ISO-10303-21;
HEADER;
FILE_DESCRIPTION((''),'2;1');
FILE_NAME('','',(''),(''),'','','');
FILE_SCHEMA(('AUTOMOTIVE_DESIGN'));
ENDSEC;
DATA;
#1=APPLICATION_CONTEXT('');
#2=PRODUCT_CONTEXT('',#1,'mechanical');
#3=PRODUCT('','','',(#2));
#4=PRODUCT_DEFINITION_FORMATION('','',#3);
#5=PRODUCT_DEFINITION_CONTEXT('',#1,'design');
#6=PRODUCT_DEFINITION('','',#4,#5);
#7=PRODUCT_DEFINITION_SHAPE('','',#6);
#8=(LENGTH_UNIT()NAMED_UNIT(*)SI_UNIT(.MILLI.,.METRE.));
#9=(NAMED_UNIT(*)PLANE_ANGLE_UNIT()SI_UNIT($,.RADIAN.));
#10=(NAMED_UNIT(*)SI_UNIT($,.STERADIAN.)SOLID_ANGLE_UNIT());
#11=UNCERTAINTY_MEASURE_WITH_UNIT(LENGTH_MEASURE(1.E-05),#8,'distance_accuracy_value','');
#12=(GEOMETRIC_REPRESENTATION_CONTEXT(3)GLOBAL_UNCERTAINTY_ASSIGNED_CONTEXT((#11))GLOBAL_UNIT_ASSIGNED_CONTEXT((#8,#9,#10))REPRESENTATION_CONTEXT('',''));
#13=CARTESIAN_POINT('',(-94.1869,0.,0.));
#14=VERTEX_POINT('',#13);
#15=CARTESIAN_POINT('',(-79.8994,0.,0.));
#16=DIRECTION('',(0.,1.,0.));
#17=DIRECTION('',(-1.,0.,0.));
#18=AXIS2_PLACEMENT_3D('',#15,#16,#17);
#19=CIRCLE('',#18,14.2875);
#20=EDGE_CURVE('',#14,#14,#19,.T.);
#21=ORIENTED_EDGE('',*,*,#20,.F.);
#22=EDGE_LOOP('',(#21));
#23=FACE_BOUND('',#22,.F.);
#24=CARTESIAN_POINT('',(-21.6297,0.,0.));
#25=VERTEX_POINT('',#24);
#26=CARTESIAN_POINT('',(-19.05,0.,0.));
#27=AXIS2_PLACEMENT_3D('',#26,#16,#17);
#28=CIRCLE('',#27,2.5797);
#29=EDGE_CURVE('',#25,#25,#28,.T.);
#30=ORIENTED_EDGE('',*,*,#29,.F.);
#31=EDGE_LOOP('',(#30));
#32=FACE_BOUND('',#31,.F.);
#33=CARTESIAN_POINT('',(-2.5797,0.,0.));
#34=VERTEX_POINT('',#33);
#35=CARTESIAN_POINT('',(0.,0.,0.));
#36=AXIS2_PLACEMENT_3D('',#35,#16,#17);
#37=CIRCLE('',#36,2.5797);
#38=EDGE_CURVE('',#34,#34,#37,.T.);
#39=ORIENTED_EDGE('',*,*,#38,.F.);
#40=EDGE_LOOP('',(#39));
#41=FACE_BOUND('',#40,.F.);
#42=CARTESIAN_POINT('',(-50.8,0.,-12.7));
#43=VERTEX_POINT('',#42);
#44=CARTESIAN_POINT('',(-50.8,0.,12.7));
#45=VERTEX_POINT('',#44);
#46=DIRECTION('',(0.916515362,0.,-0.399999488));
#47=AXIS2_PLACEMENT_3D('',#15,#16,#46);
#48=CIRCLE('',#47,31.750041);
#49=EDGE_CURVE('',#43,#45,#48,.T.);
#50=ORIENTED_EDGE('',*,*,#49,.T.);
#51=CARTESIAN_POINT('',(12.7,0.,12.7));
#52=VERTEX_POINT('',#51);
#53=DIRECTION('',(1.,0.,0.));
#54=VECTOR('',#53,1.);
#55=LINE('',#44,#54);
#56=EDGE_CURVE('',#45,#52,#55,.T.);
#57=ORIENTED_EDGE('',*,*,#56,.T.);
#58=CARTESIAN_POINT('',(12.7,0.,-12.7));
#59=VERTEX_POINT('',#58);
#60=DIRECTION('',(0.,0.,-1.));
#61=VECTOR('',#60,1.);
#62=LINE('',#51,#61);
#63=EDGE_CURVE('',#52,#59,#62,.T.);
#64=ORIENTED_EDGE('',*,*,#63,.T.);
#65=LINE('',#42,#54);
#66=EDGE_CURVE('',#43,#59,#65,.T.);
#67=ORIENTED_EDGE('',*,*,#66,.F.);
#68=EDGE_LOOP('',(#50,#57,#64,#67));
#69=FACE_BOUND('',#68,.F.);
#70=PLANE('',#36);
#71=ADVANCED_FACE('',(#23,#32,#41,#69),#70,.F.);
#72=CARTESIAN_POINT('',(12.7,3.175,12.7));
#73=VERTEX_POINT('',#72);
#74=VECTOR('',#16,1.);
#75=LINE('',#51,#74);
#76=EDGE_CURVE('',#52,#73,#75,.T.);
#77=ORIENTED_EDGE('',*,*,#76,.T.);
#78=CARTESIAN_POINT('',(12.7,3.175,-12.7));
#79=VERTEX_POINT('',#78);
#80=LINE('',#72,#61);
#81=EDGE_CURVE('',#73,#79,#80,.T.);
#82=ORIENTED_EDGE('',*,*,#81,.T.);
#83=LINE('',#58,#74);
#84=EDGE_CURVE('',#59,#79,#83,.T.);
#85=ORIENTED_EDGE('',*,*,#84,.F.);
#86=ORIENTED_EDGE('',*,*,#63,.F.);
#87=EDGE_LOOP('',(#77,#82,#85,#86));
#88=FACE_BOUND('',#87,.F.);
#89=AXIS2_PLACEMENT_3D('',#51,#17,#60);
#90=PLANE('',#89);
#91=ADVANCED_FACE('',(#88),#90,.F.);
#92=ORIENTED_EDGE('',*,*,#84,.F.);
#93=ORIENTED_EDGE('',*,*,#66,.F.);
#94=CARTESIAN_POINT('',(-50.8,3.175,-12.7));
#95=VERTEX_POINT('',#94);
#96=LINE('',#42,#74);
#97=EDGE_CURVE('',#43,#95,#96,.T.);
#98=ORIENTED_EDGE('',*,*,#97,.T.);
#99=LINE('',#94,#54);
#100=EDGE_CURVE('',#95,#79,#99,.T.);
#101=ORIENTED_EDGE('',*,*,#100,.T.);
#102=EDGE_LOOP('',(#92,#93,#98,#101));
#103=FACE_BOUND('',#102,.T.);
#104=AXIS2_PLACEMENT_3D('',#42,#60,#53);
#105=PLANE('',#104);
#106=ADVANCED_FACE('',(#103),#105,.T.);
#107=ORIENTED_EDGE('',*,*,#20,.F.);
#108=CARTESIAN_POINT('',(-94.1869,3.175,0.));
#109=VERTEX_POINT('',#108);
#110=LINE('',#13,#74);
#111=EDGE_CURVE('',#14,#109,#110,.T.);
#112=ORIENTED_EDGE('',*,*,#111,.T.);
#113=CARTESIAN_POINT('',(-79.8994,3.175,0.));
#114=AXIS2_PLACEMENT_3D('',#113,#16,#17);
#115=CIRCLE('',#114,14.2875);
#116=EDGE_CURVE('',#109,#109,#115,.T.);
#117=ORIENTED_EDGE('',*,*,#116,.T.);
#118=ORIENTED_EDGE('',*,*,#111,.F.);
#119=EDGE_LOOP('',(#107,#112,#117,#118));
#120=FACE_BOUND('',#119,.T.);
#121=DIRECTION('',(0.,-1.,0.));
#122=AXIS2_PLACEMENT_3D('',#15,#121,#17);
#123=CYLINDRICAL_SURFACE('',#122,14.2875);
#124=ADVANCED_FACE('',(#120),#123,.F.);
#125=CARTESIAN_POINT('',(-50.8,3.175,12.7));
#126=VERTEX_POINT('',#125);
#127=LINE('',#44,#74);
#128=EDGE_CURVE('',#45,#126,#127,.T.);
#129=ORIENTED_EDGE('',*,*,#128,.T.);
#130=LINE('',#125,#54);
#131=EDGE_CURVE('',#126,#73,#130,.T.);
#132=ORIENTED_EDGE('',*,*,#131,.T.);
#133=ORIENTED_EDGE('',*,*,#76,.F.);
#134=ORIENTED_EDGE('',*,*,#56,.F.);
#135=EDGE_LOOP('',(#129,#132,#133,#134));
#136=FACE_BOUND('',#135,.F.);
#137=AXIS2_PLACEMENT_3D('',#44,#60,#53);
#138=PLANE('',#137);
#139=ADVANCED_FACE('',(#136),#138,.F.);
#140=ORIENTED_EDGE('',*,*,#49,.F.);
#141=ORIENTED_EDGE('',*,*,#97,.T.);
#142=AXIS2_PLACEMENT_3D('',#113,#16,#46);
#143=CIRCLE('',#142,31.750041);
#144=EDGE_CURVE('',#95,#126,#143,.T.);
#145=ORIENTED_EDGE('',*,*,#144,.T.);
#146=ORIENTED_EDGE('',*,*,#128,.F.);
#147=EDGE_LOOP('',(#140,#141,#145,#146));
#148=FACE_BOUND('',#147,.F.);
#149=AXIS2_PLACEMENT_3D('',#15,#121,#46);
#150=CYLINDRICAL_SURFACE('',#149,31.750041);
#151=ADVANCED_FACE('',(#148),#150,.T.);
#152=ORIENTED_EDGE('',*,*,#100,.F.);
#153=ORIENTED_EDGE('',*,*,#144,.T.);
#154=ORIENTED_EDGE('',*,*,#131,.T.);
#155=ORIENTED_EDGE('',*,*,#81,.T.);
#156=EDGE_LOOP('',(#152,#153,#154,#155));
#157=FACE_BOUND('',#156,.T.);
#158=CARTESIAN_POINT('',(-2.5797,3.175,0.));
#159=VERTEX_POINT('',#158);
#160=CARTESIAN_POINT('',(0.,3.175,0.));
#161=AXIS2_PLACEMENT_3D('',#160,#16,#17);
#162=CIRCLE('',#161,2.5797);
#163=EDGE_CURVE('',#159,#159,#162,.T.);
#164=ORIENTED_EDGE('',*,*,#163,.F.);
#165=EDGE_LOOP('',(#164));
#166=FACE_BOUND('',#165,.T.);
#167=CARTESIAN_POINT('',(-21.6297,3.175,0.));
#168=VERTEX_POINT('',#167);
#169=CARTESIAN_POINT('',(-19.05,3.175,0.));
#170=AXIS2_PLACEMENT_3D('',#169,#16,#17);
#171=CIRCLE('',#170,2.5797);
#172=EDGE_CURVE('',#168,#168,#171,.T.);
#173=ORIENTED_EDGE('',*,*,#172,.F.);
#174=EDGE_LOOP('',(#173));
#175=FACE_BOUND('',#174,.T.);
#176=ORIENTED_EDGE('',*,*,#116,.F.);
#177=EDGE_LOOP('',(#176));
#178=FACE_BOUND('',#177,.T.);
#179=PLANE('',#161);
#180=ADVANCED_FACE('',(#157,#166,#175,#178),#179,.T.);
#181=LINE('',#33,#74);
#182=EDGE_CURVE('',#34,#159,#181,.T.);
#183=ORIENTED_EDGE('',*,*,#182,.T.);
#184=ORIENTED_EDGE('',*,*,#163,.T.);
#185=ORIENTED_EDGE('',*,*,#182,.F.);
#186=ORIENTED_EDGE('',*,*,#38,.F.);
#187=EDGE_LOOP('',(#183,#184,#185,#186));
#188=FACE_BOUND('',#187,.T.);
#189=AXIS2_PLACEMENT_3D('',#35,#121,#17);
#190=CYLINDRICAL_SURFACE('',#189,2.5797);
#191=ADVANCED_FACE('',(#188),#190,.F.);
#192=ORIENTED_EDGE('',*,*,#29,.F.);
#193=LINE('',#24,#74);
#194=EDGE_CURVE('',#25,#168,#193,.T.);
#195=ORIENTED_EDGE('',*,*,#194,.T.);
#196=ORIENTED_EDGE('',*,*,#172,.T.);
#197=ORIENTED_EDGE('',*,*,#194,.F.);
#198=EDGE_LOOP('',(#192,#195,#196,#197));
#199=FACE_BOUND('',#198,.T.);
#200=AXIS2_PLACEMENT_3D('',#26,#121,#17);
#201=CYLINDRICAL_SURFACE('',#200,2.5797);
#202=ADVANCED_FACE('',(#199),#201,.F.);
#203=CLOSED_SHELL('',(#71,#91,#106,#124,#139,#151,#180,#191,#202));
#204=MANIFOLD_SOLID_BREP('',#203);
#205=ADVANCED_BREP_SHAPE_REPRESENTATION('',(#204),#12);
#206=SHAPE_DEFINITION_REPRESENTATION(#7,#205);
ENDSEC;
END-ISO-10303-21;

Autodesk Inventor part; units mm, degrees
ref_plane "YZ Plane" through (0, 0, 0) normal (1, 0, 0) x (0, 1, 0)
ref_plane "XZ Plane" through (0, 0, 0) normal (0, 1, 0) x (-1, 0, 0)
ref_plane "XY Plane" through (0, 0, 0) normal (0, 0, 1) x (1, 0, 0)
sketch "Sketch1" plane through (0, 0, 0) normal (0, 1, 0) x (-1, 0, 0)
  line L0 (54.4994, 0) -> (79.8994, 0) construction
  arc A0 (50.8, -12.7) -> (50.8, 12.7) centre (79.8994, 0) ccw
  line L1 (0, 0) -> (19.05, 0) construction
  circle A1 centre (0, 0) radius 2.5797
  circle A2 centre (19.05, 0) radius 2.5797
  circle A3 centre (79.8994, 0) radius 14.2875
  line L2 (50.8, -12.7) -> (-12.7, -12.7)
  line L3 (50.8, 12.7) -> (-12.7, 12.7)
  line L4 (-12.7, 12.7) -> (-12.7, -12.7)
  line L5 (-12.7, 0) -> (0, 0) construction
  dimension "d6" = 19.05
  dimension "d7" = 5.1594
  dimension "d8" = 5.1594
  dimension "d9" = 28.575
  dimension "d13" = 63.5
  dimension "d14" = 63.5
  dimension "d15" = 12.7
extrude "Extrusion1" add sketch "Sketch1" along normal blind 3.175
properties part number "wheel tip"
